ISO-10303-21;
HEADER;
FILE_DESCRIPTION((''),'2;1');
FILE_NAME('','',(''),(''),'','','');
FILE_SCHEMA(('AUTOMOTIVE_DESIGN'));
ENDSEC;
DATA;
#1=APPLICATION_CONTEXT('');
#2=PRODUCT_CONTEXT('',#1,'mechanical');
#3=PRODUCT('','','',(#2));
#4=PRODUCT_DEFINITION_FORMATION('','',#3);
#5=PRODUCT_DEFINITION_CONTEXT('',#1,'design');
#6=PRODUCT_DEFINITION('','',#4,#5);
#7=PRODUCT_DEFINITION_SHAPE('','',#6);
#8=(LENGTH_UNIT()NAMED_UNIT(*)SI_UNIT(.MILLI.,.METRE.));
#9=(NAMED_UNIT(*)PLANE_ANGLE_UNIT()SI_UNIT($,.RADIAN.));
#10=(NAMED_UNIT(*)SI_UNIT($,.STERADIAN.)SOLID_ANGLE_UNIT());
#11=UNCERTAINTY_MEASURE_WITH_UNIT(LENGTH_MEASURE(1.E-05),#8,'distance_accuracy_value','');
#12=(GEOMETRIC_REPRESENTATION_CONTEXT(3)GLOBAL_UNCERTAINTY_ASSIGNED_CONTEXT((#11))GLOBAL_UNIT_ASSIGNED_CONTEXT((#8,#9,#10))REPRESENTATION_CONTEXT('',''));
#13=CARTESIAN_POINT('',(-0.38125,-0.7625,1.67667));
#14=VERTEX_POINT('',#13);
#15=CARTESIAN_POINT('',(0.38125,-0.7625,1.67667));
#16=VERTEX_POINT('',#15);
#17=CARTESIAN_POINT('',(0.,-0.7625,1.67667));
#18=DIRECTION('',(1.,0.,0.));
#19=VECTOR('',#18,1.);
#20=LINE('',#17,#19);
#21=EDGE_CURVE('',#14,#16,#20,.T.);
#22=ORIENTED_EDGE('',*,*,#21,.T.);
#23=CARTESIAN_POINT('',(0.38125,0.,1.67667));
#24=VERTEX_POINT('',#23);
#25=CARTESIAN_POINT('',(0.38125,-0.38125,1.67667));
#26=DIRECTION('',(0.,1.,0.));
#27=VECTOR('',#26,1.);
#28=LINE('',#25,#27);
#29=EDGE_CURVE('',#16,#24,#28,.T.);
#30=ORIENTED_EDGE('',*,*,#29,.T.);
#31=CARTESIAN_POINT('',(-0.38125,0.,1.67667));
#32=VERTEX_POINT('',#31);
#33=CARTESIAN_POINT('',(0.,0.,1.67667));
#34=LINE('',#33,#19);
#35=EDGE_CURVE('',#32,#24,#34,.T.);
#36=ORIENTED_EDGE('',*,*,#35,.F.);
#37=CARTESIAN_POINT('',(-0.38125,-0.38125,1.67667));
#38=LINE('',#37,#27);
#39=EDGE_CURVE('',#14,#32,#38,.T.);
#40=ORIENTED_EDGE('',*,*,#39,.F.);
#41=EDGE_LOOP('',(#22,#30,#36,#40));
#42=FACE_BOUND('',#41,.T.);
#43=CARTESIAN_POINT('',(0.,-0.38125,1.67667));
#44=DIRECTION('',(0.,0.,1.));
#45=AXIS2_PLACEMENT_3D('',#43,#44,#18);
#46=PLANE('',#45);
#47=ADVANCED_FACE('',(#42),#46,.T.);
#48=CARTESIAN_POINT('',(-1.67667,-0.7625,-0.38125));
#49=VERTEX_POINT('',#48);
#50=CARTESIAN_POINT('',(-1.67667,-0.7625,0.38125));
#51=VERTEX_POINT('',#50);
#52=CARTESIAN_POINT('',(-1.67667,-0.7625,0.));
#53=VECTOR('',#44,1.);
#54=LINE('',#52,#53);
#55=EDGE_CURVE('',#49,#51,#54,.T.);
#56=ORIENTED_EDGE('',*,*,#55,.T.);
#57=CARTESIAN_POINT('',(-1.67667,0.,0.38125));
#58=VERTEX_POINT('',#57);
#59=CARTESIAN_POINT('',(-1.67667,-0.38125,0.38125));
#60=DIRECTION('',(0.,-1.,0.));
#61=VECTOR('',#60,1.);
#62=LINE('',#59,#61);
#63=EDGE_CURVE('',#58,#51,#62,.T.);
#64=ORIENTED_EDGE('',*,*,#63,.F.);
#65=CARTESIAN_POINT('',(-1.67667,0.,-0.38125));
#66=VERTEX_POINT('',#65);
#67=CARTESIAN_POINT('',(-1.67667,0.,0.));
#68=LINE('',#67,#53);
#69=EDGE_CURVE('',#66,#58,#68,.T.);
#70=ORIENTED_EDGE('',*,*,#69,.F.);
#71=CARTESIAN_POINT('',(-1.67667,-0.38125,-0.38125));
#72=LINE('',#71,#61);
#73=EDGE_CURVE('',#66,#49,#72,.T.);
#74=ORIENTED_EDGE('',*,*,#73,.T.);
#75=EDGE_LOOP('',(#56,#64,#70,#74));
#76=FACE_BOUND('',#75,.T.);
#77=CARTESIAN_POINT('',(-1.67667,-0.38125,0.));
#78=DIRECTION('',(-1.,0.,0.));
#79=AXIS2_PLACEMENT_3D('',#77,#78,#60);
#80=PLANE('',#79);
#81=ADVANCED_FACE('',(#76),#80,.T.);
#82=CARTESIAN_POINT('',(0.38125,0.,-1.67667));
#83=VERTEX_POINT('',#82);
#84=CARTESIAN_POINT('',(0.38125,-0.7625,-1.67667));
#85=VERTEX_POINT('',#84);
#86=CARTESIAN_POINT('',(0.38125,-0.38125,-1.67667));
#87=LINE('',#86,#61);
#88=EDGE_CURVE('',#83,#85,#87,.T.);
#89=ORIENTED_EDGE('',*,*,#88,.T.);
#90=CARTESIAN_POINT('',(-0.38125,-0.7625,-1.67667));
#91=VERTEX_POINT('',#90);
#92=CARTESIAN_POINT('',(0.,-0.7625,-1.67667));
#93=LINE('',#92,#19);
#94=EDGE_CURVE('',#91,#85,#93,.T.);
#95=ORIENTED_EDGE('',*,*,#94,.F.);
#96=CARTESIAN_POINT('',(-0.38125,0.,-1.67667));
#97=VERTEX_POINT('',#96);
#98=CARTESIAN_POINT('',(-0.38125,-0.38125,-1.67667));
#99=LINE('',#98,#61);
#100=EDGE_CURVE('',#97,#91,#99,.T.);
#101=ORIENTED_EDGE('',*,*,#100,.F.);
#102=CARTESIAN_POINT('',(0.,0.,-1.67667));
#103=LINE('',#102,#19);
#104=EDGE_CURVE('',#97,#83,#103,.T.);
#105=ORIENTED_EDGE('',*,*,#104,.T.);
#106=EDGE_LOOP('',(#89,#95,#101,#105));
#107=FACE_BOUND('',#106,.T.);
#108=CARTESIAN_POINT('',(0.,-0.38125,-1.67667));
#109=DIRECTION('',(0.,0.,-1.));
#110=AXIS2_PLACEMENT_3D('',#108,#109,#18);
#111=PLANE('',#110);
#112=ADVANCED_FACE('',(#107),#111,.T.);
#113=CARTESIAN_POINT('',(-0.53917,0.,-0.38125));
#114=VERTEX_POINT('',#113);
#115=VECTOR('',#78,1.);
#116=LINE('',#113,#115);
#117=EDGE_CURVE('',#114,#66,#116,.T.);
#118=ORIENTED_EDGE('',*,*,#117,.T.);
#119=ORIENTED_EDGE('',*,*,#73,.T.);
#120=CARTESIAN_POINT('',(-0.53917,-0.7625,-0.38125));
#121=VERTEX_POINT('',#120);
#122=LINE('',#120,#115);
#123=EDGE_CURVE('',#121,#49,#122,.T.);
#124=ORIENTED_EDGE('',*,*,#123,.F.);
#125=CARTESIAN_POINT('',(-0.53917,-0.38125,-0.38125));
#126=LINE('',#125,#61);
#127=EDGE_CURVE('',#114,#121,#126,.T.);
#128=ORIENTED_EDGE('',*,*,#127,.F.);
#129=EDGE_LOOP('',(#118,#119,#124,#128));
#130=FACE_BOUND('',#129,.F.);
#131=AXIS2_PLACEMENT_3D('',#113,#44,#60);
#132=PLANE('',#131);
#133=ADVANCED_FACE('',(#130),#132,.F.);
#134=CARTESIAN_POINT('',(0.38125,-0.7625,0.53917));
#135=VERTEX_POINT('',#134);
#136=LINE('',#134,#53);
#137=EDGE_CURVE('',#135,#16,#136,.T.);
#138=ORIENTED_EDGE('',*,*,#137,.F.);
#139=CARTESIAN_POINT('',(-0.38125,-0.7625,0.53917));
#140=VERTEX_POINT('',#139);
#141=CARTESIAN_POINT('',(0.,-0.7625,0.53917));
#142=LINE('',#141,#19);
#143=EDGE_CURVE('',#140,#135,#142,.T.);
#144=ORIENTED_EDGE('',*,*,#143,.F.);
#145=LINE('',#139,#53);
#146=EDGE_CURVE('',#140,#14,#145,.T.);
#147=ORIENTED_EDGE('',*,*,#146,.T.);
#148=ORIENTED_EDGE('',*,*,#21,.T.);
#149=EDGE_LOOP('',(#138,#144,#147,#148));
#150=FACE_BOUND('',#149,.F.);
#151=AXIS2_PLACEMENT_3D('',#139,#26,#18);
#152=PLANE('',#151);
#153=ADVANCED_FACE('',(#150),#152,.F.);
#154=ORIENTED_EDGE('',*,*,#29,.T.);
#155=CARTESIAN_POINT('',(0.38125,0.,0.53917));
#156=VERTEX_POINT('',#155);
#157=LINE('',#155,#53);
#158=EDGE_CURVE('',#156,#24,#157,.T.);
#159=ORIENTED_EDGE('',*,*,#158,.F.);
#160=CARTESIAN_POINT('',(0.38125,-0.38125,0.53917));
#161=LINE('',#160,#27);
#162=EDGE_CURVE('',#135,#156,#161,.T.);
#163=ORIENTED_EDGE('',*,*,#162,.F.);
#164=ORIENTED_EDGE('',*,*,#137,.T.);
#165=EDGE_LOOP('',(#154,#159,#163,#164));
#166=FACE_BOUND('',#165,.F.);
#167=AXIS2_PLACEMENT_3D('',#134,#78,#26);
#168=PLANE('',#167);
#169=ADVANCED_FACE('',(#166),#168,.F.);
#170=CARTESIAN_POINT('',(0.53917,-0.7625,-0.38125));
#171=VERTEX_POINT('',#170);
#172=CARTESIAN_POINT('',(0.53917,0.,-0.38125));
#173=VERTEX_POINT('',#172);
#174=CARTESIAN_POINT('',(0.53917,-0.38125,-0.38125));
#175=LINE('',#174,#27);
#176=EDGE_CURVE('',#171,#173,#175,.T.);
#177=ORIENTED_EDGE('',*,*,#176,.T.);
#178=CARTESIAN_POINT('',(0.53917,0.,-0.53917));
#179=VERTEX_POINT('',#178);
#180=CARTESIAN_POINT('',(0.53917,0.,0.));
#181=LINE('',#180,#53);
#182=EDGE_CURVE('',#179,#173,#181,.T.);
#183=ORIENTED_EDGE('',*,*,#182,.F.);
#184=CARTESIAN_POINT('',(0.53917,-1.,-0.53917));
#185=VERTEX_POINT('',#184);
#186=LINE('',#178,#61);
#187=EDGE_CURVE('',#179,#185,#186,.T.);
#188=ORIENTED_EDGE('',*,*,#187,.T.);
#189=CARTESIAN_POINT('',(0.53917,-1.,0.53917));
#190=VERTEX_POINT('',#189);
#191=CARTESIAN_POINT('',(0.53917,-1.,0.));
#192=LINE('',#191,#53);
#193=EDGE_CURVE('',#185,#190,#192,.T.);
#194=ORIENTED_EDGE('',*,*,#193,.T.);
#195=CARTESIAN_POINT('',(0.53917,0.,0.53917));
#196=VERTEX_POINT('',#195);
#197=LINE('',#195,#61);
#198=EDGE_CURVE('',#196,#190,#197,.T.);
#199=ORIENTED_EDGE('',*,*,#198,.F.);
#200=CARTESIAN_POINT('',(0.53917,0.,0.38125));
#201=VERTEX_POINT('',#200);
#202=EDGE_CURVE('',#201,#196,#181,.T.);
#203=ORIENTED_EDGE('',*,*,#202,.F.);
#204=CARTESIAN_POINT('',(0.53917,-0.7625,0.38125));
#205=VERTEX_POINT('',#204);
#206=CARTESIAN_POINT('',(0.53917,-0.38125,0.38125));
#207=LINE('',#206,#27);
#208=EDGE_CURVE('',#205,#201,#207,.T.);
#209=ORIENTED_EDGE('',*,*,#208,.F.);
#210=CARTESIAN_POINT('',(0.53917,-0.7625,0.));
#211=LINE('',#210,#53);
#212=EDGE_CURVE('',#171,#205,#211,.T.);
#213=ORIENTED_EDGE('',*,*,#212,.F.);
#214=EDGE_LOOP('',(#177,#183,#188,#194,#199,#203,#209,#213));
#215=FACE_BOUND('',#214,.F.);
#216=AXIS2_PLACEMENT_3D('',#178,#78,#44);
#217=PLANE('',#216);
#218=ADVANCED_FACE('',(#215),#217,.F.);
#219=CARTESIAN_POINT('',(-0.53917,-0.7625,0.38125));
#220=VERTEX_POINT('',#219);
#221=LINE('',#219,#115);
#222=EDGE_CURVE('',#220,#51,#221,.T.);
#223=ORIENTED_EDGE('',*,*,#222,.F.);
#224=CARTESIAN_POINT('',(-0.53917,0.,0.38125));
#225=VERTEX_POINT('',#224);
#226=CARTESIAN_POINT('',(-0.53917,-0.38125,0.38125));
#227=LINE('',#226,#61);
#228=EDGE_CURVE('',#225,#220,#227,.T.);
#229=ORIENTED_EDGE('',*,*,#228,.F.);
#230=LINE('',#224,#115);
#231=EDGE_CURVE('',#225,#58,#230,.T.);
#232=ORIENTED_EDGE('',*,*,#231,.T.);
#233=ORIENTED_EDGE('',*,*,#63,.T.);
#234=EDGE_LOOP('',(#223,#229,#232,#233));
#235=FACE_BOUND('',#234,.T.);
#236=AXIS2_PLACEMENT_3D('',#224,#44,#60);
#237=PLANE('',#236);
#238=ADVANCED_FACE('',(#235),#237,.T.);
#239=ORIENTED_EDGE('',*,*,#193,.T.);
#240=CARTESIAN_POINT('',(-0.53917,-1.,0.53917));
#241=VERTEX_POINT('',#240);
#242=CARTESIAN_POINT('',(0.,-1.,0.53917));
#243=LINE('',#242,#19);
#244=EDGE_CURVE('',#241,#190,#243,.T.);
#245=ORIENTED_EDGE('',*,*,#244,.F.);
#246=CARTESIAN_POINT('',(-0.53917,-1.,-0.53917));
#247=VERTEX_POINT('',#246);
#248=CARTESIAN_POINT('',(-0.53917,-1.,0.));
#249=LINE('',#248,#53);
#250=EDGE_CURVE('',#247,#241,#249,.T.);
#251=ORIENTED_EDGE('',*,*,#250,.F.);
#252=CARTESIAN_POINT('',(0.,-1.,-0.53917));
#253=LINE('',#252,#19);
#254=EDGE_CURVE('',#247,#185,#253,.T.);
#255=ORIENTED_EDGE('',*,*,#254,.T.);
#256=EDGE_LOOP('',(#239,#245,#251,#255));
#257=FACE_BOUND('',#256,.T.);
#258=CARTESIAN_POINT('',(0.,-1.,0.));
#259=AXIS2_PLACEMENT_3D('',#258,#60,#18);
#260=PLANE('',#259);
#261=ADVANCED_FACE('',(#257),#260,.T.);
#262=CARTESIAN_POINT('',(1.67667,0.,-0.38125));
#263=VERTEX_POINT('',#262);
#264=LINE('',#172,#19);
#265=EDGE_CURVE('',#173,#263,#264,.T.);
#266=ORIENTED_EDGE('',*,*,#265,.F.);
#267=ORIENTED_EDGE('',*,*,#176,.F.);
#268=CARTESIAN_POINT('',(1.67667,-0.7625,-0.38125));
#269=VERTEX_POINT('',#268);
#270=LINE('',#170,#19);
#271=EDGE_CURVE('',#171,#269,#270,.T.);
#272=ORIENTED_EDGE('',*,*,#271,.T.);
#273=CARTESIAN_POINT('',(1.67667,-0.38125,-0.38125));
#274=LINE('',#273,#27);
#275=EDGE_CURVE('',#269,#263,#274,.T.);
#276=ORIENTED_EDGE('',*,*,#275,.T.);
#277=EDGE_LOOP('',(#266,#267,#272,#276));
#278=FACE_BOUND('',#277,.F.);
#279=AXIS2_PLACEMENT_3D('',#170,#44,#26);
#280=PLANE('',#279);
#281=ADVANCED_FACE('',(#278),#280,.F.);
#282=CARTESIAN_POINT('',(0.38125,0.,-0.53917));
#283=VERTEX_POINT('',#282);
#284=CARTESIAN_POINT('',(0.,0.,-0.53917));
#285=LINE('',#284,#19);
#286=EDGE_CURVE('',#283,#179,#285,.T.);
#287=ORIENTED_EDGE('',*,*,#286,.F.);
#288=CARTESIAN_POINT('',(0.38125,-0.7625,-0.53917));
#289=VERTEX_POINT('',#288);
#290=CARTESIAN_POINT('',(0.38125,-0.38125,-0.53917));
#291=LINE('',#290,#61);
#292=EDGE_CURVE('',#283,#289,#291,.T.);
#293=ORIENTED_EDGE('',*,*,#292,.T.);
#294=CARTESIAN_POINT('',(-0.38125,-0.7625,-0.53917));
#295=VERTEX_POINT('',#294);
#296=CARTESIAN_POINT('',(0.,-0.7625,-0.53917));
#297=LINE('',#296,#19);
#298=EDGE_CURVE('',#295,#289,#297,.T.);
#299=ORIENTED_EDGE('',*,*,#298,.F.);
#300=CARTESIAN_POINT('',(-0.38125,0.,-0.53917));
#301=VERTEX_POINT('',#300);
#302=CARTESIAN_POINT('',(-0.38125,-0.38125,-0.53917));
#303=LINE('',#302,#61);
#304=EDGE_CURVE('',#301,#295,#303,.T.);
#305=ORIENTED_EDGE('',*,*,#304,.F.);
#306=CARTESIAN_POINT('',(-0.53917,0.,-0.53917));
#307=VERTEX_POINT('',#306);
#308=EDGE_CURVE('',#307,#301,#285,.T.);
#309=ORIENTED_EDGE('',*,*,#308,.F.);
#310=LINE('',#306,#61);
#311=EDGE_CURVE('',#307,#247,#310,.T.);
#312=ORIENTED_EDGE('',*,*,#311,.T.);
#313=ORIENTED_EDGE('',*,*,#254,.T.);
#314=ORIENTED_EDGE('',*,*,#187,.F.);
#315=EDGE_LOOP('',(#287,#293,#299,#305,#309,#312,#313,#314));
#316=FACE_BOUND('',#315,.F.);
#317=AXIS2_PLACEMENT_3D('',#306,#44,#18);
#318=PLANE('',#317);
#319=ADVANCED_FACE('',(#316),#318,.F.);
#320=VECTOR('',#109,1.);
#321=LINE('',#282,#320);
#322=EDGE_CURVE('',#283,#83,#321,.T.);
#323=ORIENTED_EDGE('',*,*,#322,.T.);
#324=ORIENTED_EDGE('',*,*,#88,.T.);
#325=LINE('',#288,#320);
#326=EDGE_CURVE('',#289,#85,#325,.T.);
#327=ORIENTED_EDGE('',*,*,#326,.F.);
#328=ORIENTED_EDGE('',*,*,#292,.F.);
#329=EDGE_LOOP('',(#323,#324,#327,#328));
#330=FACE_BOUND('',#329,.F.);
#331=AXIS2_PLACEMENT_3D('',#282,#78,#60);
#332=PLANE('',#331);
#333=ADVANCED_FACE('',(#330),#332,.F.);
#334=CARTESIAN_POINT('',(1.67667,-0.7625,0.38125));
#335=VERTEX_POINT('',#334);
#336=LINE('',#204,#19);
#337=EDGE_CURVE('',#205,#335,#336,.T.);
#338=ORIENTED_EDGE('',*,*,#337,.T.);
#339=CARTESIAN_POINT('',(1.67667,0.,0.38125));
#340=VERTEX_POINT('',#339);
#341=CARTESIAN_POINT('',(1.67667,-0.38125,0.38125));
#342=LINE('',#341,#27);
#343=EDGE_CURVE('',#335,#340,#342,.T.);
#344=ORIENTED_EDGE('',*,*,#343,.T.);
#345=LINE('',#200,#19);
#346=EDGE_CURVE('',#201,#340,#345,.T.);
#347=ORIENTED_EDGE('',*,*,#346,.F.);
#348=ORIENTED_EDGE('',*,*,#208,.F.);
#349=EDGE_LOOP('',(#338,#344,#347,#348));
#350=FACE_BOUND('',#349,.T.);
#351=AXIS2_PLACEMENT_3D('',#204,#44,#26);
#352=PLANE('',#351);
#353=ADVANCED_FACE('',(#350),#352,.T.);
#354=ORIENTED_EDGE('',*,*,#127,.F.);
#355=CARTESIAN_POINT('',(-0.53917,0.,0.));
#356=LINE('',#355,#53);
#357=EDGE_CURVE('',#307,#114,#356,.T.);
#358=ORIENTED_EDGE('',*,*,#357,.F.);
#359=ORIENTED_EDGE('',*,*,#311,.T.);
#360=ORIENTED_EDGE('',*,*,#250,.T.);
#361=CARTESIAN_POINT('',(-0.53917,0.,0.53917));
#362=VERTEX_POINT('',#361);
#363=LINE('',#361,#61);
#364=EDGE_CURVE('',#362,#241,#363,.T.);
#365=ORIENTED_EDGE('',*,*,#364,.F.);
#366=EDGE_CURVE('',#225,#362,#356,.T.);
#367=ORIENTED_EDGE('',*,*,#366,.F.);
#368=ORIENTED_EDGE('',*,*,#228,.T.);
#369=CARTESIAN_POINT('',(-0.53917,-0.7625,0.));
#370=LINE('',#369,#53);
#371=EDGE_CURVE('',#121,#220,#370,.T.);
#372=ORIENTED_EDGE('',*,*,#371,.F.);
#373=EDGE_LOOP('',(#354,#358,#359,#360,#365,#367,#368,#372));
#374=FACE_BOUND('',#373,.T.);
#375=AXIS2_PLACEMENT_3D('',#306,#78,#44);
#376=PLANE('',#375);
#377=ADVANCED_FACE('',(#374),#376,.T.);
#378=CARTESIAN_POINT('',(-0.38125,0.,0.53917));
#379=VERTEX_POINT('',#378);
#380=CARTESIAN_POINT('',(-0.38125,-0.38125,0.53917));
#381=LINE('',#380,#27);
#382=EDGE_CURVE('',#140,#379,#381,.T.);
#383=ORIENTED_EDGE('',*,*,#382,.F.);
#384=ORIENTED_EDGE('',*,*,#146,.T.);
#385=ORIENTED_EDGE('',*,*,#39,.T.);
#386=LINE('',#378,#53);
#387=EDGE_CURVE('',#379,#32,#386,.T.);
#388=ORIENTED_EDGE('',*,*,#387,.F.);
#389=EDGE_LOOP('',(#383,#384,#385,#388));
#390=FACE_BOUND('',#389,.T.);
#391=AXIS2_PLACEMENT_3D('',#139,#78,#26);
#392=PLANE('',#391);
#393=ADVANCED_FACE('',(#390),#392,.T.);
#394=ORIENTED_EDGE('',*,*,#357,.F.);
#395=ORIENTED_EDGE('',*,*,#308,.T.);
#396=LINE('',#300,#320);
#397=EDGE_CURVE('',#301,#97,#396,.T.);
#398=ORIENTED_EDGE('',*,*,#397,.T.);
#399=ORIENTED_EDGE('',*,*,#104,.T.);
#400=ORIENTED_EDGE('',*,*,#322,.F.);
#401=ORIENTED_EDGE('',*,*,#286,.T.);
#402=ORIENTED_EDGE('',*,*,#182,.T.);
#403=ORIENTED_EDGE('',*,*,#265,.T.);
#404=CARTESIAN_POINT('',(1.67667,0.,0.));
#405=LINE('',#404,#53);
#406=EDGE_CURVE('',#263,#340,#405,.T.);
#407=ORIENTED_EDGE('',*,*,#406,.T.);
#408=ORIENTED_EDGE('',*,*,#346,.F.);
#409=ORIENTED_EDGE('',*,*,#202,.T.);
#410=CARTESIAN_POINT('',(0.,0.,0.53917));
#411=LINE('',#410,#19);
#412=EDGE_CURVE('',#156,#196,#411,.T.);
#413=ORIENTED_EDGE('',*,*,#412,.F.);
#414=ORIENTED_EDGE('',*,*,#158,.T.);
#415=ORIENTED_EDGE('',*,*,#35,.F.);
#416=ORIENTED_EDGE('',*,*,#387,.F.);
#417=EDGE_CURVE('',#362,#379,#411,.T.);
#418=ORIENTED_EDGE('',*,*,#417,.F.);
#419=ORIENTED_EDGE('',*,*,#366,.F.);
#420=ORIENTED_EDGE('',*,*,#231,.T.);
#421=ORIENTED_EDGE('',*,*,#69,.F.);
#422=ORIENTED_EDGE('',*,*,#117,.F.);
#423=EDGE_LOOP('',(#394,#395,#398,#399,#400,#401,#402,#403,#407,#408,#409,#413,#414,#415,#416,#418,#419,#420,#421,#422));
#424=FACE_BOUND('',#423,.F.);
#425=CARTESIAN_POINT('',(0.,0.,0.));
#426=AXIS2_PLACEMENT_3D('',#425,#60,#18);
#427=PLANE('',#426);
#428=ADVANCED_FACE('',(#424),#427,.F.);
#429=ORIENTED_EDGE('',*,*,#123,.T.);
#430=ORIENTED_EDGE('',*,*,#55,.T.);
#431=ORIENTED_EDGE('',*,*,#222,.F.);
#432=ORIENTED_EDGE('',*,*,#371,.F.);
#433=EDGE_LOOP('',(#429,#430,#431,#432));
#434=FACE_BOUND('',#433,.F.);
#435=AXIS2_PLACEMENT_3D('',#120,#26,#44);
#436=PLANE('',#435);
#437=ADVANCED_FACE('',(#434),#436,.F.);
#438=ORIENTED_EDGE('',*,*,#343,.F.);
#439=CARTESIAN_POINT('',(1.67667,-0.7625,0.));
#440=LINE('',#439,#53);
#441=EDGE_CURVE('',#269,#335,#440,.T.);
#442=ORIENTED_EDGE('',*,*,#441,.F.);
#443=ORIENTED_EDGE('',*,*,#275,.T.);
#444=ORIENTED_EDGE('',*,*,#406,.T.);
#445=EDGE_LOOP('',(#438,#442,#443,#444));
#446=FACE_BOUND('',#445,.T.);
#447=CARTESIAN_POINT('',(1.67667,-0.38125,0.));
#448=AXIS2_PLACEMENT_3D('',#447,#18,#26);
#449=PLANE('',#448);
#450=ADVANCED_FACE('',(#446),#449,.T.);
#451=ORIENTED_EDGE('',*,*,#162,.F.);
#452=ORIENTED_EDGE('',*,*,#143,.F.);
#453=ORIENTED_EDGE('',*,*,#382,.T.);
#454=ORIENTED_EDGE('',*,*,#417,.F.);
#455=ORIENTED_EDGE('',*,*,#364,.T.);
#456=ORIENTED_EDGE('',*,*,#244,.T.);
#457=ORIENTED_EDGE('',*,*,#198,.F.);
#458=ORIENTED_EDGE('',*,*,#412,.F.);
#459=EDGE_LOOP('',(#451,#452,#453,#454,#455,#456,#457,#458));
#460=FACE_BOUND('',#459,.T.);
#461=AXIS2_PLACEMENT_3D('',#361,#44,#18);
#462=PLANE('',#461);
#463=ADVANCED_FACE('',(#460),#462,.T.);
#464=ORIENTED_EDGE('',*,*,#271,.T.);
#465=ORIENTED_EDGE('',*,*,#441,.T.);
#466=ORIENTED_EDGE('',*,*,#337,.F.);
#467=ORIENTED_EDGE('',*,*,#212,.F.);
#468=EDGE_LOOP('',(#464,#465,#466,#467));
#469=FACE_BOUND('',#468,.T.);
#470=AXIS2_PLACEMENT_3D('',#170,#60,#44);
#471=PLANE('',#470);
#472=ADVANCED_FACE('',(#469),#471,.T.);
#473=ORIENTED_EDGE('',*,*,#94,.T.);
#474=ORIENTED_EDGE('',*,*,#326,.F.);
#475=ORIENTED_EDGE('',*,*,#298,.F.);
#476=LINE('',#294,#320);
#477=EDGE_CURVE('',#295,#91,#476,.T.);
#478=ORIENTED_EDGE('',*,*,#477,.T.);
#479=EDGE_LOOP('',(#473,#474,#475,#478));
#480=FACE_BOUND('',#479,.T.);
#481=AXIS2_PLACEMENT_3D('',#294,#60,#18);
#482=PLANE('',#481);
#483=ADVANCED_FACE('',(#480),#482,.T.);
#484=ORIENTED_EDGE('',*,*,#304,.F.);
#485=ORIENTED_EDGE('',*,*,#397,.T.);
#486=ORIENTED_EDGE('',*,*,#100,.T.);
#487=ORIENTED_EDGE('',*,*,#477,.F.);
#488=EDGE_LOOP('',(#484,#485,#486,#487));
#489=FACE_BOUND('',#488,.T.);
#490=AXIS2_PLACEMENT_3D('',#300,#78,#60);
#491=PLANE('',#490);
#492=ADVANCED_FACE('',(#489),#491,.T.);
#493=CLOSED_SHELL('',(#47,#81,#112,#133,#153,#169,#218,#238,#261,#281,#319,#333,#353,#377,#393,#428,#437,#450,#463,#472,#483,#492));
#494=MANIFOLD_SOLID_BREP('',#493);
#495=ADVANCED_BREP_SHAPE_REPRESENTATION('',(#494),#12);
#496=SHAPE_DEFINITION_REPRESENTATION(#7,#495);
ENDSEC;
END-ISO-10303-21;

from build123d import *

# Parameters (mm, degrees)
F0_W     = 1.07834
F0_H     = 1.07834
F1_DEPTH = 1
F2_W     = 0.7625
F2_H     = 0.7625
F3_DEPTH = 1.1375
F4_W     = 0.7625
F4_H     = 0.7625
F5_DEPTH = 1.1375
F6_W     = 0.7625
F6_H     = 0.7625
F7_DEPTH = 1.1375
F8_W     = 0.7625
F8_H     = 0.7625
F9_DEPTH = 1.1375


with BuildPart() as f1:
    # F0 (on Front) → F1 (new body)
    with BuildSketch(Plane.XZ):
        Rectangle(F0_W, F0_H)
    extrude(amount=F1_DEPTH)

    # F2 (on face) → F3 (join)
    with BuildSketch(Plane(origin=(0, 0, -0.53917), x_dir=(1, 0, 0), z_dir=(0, 0, -1))):
        with Locations((0, 0.38125)):
            Rectangle(F2_W, F2_H)
    extrude(amount=F3_DEPTH)

    # F4 (on face) → F5 (join)
    with BuildSketch(Plane(origin=(-0.53917, 0, 0), x_dir=(0, -1, 0), z_dir=(-1, 0, 0))):
        with Locations((0.38125, 0)):
            Rectangle(F4_W, F4_H)
    extrude(amount=F5_DEPTH)

    # F6 (on face) → F7 (join)
    with BuildSketch(Plane.XY.offset(0.53917)):
        with Locations((0, -0.38125)):
            Rectangle(F6_W, F6_H)
    extrude(amount=F7_DEPTH)

    # F8 (on face) → F9 (join)
    with BuildSketch(Plane.YZ.offset(0.53917)):
        with Locations((-0.38125, 0)):
            Rectangle(F8_W, F8_H)
    extrude(amount=F9_DEPTH)


solid = f1.part
